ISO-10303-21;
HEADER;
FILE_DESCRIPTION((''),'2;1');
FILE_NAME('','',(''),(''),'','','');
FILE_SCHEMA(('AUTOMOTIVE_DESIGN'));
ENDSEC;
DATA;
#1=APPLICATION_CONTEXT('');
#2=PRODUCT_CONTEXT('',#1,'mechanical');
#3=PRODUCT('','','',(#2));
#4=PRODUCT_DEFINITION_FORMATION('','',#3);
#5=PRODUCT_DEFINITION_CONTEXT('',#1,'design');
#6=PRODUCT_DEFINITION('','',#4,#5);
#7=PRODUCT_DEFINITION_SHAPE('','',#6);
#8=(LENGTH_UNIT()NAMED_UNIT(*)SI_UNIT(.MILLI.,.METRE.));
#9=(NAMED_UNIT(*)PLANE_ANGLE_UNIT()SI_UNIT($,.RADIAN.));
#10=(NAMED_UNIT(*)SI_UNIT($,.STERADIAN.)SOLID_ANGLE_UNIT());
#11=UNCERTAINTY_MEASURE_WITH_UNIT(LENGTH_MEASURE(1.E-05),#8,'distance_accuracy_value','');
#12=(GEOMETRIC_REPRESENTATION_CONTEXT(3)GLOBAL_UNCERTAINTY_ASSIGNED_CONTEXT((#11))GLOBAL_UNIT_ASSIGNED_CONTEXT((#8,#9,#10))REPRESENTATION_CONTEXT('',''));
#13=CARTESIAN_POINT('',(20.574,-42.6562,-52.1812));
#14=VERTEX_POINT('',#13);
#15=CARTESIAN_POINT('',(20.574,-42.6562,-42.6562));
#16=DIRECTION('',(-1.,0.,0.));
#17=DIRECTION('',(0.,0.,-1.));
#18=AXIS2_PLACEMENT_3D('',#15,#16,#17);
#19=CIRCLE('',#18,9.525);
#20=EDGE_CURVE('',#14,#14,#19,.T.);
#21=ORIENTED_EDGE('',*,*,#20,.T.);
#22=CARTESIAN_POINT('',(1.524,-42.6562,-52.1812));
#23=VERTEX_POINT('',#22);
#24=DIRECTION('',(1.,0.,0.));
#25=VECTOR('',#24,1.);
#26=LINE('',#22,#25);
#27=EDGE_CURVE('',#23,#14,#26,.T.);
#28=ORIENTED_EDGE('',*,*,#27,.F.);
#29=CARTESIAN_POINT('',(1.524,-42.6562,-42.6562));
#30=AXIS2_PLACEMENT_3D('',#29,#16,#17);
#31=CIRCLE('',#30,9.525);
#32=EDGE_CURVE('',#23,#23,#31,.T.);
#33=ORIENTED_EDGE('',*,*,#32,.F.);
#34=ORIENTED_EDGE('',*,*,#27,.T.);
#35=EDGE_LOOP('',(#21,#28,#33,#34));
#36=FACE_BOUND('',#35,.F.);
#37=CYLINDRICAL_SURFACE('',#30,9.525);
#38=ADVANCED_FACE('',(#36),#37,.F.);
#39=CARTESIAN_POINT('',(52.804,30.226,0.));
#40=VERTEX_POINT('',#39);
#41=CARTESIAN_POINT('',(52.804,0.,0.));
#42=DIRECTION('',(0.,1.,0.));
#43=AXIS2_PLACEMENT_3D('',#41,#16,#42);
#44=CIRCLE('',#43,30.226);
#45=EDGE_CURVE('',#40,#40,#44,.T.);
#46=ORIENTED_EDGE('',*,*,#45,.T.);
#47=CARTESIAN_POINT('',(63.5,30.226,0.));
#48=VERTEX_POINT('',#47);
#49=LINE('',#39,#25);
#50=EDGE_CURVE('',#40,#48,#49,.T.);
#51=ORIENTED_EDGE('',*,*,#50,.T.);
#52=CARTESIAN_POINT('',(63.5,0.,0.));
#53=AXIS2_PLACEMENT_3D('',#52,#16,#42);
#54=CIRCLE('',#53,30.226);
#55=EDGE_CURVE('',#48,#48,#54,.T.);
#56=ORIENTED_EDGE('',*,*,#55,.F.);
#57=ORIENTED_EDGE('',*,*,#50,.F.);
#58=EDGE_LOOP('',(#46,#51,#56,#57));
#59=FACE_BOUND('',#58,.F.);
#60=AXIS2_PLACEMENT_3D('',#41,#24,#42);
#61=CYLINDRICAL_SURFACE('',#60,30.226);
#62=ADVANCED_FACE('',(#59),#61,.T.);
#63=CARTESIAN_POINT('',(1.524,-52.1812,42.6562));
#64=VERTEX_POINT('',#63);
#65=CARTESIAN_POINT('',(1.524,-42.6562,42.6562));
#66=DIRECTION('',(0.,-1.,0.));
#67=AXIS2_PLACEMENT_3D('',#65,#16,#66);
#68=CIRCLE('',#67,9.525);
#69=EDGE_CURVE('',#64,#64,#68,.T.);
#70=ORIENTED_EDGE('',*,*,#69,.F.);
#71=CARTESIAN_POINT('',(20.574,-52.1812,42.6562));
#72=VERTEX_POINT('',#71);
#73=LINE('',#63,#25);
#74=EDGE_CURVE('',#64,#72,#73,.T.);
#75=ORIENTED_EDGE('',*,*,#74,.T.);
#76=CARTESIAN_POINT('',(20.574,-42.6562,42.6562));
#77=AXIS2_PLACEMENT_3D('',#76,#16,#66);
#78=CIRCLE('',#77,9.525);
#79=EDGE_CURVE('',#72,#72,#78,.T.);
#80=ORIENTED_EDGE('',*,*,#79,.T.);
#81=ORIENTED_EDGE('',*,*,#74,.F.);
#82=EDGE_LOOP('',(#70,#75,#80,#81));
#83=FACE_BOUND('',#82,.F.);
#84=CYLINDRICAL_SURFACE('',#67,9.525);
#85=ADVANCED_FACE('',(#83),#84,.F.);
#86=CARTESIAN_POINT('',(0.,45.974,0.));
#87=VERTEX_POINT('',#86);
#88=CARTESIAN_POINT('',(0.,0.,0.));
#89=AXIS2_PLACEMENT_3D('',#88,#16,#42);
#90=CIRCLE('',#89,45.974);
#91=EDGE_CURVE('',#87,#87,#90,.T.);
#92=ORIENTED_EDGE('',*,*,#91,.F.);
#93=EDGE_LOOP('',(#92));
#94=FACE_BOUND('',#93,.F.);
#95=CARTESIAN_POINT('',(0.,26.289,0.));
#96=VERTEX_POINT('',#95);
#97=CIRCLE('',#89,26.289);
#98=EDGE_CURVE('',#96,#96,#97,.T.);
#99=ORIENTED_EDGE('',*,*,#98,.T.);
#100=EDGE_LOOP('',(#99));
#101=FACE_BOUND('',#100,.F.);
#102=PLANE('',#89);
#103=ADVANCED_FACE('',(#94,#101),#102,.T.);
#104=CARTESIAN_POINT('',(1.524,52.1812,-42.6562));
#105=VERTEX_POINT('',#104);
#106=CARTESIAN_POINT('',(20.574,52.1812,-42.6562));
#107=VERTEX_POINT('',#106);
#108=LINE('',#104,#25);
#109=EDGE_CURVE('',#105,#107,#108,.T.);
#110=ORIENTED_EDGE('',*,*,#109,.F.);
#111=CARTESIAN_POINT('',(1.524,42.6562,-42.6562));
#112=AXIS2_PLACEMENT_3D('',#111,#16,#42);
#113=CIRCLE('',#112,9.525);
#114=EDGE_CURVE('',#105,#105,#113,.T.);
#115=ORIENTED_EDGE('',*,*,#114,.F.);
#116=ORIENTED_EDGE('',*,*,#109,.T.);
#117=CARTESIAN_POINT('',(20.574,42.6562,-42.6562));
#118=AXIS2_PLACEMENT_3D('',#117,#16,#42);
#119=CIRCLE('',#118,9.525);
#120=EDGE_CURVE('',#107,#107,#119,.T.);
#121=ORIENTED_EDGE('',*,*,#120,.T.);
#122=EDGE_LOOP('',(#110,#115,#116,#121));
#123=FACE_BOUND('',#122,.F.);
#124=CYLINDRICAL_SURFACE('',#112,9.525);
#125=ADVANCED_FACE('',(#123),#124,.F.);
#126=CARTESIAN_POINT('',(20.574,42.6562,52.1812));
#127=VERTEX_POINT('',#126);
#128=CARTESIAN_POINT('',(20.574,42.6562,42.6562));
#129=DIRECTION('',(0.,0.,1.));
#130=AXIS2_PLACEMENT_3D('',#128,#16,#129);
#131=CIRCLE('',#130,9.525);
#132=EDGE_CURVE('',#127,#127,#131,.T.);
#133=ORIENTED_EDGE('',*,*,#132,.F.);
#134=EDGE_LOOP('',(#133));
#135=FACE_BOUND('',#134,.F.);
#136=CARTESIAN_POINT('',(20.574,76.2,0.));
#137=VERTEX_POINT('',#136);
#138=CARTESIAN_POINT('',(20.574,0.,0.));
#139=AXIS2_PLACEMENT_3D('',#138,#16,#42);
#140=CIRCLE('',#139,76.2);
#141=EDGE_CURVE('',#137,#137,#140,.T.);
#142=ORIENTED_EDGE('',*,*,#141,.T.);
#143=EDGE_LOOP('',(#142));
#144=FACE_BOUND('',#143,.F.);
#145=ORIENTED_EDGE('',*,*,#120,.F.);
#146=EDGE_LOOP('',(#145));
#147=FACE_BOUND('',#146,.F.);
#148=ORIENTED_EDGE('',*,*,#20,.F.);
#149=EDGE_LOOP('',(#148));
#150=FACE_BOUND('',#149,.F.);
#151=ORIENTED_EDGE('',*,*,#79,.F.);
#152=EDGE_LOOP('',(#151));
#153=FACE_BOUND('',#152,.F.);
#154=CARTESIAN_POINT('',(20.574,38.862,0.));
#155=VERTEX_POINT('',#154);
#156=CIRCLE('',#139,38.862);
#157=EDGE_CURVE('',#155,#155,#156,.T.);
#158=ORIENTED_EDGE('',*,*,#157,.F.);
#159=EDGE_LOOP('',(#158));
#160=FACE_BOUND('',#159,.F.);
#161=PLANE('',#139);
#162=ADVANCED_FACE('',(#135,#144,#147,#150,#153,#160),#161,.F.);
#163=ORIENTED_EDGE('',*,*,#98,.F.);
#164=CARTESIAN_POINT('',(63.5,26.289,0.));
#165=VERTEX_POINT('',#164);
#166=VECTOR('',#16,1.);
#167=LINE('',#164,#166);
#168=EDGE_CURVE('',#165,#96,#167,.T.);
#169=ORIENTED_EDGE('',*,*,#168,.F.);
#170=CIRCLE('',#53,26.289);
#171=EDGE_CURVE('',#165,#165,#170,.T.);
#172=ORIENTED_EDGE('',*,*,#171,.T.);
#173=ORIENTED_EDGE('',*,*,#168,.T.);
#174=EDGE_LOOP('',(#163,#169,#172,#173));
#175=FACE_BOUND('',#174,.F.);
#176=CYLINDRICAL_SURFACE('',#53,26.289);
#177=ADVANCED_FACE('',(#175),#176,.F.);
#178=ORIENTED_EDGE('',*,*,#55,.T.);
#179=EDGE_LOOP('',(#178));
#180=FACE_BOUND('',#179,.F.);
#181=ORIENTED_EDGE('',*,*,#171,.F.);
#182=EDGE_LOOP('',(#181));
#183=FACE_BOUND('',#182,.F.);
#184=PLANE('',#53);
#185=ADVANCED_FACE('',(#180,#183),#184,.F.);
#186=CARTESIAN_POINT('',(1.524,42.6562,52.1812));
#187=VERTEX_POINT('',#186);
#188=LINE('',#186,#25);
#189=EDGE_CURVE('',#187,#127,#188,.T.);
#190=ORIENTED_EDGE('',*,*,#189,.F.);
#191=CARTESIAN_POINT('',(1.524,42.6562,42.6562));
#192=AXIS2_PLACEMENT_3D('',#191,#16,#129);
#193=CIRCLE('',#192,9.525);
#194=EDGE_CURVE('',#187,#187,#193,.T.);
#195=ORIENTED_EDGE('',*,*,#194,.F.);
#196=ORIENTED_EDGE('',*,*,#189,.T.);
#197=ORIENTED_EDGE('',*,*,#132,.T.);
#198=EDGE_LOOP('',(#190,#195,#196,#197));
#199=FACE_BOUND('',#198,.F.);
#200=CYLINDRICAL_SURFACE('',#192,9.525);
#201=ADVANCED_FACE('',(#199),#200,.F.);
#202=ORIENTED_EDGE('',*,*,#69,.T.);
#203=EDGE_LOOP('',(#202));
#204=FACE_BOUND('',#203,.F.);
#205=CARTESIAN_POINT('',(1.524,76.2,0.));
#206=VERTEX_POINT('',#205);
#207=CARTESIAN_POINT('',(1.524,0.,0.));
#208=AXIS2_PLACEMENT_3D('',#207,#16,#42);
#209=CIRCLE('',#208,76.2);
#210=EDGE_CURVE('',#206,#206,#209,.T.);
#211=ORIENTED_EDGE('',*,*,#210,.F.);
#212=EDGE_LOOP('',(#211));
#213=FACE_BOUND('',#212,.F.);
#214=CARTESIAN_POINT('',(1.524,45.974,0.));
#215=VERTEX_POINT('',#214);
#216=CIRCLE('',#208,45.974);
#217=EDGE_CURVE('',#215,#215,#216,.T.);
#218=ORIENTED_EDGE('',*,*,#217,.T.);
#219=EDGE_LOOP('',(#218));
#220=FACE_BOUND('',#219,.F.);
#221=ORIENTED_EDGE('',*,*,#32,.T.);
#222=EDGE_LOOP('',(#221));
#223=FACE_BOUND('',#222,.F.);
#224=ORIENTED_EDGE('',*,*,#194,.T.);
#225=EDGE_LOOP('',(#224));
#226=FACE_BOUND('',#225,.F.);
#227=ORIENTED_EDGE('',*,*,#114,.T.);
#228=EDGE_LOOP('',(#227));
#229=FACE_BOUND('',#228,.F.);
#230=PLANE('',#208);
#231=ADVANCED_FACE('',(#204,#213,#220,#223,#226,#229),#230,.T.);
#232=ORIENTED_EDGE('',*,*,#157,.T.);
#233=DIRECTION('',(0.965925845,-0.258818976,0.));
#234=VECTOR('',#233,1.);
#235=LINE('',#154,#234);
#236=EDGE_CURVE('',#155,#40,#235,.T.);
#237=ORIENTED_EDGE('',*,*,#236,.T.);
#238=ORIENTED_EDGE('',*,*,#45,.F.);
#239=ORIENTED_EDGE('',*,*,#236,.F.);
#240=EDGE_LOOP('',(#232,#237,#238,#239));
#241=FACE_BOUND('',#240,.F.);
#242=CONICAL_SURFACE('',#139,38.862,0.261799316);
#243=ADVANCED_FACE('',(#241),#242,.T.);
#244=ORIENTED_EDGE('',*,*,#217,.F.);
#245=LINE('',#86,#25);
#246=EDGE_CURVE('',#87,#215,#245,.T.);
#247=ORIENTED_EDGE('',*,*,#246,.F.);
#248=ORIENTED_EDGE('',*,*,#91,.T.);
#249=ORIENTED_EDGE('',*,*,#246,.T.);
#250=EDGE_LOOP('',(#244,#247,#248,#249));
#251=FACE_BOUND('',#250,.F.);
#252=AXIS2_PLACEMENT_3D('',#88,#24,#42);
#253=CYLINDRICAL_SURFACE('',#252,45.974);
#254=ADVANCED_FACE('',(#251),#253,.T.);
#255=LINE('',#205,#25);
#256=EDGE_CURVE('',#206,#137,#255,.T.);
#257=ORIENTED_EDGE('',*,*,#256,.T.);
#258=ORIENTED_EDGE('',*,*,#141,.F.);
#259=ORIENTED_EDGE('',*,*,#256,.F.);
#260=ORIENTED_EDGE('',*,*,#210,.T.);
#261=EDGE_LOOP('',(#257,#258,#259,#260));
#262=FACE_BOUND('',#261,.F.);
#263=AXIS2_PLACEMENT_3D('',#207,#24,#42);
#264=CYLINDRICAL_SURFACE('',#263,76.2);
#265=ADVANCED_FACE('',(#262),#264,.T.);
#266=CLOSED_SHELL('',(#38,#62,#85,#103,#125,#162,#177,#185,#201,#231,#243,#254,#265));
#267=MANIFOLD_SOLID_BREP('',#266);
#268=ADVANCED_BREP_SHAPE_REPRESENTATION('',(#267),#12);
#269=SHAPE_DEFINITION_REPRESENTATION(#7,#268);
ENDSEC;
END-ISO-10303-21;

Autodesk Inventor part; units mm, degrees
ref_plane "YZ Plane" through (0, 0, 0) normal (1, 0, 0) x (0, 1, 0)
ref_plane "XZ Plane" through (0, 0, 0) normal (0, 1, 0) x (-1, 0, 0)
ref_plane "XY Plane" through (0, 0, 0) normal (0, 0, 1) x (1, 0, 0)
sketch "Sketch1" plane through (0, 0, 0) normal (0, 0, 1) x (1, 0, 0)
  line L0 (0, 0) -> (0, 45.974)
  line L1 (0, 45.974) -> (1.524, 45.974)
  line L2 (1.524, 45.974) -> (1.524, 76.2)
  line L3 (1.524, 76.2) -> (20.574, 76.2)
  line L4 (20.574, 76.2) -> (20.574, 38.862)
  line L5 (20.574, 38.862) -> (52.804, 30.226)
  line L6 (52.804, 30.226) -> (63.5, 30.226)
  line L7 (63.5, 30.226) -> (63.5, 0)
  line L8 (63.5, 0) -> (0, 0)
  line L9 (63.5, 26.289) -> (0, 26.289)
  dimension "d0" = 152.4
  dimension "d1" = 91.948
  dimension "d2" = 1.524
  dimension "d3" = 52.578
  dimension "d4" = 60.452
  dimension "d7" = 77.724
  dimension "d8" = 15
  dimension "d18" = 19.05
  dimension "d19" = 61.976
revolve "Revolution1" add sketch "Sketch1" angle 360 about axis through (63.5, 0, 0) along (-1, 0, 0) contours L0 L1 L2 L3 L4 L5 L6 L7 L9
sketch "Sketch2" plane through (1.524, 0, 0) normal (-1, 0, 0) x (0, 0, 1)
  circle A0 centre (0, 0) radius 76.2 projected
  circle A1 centre (0, 0) radius 45.974 projected
  circle A2 centre (42.6562, 42.6562) radius 9.525
  line L0 (42.6562, 42.6562) -> (0, 0) construction
  circle A3 centre (0, 0) radius 60.325 construction
  line L1 (0, 0) -> (60.325, 0) construction
  dimension "d10" = 60.325
  dimension "d11" = 19.05
  dimension "d17" = 45
extrude "Extrusion1" cut sketch "Sketch2" against normal through all contours A2
pattern_circular "Circular Pattern1" count 4 over 360 about axis through (36.689, 0, 0) along (1, 0, 0) of "Extrusion1"
equation "\"d0\" = O"
equation "\"d1\" = R"
equation "\"d3\" = B"
equation "\"d4\" = A"
equation "\"d7\" = X"
equation "\"d18\" = C1"
equation "\"d19\" = Y"
equation "\"d10\" = 0.5 * BC"
equation "\"d11\" = DH"
equation "\"O\" = 152.4"
equation "\"C1\" = 19.05"
equation "\"X\" = 77.724"
equation "\"A\" = 60.452"
equation "\"Y\" = 61.976"
equation "\"B\" = 52.578"
equation "\"BC\" = 120.65"
equation "\"DH\" = 19.05"
equation "\"R\" = 91.948"
properties part number "ASME B16.5 Flange Welding Neck - Class 150 2" material "Steel"
